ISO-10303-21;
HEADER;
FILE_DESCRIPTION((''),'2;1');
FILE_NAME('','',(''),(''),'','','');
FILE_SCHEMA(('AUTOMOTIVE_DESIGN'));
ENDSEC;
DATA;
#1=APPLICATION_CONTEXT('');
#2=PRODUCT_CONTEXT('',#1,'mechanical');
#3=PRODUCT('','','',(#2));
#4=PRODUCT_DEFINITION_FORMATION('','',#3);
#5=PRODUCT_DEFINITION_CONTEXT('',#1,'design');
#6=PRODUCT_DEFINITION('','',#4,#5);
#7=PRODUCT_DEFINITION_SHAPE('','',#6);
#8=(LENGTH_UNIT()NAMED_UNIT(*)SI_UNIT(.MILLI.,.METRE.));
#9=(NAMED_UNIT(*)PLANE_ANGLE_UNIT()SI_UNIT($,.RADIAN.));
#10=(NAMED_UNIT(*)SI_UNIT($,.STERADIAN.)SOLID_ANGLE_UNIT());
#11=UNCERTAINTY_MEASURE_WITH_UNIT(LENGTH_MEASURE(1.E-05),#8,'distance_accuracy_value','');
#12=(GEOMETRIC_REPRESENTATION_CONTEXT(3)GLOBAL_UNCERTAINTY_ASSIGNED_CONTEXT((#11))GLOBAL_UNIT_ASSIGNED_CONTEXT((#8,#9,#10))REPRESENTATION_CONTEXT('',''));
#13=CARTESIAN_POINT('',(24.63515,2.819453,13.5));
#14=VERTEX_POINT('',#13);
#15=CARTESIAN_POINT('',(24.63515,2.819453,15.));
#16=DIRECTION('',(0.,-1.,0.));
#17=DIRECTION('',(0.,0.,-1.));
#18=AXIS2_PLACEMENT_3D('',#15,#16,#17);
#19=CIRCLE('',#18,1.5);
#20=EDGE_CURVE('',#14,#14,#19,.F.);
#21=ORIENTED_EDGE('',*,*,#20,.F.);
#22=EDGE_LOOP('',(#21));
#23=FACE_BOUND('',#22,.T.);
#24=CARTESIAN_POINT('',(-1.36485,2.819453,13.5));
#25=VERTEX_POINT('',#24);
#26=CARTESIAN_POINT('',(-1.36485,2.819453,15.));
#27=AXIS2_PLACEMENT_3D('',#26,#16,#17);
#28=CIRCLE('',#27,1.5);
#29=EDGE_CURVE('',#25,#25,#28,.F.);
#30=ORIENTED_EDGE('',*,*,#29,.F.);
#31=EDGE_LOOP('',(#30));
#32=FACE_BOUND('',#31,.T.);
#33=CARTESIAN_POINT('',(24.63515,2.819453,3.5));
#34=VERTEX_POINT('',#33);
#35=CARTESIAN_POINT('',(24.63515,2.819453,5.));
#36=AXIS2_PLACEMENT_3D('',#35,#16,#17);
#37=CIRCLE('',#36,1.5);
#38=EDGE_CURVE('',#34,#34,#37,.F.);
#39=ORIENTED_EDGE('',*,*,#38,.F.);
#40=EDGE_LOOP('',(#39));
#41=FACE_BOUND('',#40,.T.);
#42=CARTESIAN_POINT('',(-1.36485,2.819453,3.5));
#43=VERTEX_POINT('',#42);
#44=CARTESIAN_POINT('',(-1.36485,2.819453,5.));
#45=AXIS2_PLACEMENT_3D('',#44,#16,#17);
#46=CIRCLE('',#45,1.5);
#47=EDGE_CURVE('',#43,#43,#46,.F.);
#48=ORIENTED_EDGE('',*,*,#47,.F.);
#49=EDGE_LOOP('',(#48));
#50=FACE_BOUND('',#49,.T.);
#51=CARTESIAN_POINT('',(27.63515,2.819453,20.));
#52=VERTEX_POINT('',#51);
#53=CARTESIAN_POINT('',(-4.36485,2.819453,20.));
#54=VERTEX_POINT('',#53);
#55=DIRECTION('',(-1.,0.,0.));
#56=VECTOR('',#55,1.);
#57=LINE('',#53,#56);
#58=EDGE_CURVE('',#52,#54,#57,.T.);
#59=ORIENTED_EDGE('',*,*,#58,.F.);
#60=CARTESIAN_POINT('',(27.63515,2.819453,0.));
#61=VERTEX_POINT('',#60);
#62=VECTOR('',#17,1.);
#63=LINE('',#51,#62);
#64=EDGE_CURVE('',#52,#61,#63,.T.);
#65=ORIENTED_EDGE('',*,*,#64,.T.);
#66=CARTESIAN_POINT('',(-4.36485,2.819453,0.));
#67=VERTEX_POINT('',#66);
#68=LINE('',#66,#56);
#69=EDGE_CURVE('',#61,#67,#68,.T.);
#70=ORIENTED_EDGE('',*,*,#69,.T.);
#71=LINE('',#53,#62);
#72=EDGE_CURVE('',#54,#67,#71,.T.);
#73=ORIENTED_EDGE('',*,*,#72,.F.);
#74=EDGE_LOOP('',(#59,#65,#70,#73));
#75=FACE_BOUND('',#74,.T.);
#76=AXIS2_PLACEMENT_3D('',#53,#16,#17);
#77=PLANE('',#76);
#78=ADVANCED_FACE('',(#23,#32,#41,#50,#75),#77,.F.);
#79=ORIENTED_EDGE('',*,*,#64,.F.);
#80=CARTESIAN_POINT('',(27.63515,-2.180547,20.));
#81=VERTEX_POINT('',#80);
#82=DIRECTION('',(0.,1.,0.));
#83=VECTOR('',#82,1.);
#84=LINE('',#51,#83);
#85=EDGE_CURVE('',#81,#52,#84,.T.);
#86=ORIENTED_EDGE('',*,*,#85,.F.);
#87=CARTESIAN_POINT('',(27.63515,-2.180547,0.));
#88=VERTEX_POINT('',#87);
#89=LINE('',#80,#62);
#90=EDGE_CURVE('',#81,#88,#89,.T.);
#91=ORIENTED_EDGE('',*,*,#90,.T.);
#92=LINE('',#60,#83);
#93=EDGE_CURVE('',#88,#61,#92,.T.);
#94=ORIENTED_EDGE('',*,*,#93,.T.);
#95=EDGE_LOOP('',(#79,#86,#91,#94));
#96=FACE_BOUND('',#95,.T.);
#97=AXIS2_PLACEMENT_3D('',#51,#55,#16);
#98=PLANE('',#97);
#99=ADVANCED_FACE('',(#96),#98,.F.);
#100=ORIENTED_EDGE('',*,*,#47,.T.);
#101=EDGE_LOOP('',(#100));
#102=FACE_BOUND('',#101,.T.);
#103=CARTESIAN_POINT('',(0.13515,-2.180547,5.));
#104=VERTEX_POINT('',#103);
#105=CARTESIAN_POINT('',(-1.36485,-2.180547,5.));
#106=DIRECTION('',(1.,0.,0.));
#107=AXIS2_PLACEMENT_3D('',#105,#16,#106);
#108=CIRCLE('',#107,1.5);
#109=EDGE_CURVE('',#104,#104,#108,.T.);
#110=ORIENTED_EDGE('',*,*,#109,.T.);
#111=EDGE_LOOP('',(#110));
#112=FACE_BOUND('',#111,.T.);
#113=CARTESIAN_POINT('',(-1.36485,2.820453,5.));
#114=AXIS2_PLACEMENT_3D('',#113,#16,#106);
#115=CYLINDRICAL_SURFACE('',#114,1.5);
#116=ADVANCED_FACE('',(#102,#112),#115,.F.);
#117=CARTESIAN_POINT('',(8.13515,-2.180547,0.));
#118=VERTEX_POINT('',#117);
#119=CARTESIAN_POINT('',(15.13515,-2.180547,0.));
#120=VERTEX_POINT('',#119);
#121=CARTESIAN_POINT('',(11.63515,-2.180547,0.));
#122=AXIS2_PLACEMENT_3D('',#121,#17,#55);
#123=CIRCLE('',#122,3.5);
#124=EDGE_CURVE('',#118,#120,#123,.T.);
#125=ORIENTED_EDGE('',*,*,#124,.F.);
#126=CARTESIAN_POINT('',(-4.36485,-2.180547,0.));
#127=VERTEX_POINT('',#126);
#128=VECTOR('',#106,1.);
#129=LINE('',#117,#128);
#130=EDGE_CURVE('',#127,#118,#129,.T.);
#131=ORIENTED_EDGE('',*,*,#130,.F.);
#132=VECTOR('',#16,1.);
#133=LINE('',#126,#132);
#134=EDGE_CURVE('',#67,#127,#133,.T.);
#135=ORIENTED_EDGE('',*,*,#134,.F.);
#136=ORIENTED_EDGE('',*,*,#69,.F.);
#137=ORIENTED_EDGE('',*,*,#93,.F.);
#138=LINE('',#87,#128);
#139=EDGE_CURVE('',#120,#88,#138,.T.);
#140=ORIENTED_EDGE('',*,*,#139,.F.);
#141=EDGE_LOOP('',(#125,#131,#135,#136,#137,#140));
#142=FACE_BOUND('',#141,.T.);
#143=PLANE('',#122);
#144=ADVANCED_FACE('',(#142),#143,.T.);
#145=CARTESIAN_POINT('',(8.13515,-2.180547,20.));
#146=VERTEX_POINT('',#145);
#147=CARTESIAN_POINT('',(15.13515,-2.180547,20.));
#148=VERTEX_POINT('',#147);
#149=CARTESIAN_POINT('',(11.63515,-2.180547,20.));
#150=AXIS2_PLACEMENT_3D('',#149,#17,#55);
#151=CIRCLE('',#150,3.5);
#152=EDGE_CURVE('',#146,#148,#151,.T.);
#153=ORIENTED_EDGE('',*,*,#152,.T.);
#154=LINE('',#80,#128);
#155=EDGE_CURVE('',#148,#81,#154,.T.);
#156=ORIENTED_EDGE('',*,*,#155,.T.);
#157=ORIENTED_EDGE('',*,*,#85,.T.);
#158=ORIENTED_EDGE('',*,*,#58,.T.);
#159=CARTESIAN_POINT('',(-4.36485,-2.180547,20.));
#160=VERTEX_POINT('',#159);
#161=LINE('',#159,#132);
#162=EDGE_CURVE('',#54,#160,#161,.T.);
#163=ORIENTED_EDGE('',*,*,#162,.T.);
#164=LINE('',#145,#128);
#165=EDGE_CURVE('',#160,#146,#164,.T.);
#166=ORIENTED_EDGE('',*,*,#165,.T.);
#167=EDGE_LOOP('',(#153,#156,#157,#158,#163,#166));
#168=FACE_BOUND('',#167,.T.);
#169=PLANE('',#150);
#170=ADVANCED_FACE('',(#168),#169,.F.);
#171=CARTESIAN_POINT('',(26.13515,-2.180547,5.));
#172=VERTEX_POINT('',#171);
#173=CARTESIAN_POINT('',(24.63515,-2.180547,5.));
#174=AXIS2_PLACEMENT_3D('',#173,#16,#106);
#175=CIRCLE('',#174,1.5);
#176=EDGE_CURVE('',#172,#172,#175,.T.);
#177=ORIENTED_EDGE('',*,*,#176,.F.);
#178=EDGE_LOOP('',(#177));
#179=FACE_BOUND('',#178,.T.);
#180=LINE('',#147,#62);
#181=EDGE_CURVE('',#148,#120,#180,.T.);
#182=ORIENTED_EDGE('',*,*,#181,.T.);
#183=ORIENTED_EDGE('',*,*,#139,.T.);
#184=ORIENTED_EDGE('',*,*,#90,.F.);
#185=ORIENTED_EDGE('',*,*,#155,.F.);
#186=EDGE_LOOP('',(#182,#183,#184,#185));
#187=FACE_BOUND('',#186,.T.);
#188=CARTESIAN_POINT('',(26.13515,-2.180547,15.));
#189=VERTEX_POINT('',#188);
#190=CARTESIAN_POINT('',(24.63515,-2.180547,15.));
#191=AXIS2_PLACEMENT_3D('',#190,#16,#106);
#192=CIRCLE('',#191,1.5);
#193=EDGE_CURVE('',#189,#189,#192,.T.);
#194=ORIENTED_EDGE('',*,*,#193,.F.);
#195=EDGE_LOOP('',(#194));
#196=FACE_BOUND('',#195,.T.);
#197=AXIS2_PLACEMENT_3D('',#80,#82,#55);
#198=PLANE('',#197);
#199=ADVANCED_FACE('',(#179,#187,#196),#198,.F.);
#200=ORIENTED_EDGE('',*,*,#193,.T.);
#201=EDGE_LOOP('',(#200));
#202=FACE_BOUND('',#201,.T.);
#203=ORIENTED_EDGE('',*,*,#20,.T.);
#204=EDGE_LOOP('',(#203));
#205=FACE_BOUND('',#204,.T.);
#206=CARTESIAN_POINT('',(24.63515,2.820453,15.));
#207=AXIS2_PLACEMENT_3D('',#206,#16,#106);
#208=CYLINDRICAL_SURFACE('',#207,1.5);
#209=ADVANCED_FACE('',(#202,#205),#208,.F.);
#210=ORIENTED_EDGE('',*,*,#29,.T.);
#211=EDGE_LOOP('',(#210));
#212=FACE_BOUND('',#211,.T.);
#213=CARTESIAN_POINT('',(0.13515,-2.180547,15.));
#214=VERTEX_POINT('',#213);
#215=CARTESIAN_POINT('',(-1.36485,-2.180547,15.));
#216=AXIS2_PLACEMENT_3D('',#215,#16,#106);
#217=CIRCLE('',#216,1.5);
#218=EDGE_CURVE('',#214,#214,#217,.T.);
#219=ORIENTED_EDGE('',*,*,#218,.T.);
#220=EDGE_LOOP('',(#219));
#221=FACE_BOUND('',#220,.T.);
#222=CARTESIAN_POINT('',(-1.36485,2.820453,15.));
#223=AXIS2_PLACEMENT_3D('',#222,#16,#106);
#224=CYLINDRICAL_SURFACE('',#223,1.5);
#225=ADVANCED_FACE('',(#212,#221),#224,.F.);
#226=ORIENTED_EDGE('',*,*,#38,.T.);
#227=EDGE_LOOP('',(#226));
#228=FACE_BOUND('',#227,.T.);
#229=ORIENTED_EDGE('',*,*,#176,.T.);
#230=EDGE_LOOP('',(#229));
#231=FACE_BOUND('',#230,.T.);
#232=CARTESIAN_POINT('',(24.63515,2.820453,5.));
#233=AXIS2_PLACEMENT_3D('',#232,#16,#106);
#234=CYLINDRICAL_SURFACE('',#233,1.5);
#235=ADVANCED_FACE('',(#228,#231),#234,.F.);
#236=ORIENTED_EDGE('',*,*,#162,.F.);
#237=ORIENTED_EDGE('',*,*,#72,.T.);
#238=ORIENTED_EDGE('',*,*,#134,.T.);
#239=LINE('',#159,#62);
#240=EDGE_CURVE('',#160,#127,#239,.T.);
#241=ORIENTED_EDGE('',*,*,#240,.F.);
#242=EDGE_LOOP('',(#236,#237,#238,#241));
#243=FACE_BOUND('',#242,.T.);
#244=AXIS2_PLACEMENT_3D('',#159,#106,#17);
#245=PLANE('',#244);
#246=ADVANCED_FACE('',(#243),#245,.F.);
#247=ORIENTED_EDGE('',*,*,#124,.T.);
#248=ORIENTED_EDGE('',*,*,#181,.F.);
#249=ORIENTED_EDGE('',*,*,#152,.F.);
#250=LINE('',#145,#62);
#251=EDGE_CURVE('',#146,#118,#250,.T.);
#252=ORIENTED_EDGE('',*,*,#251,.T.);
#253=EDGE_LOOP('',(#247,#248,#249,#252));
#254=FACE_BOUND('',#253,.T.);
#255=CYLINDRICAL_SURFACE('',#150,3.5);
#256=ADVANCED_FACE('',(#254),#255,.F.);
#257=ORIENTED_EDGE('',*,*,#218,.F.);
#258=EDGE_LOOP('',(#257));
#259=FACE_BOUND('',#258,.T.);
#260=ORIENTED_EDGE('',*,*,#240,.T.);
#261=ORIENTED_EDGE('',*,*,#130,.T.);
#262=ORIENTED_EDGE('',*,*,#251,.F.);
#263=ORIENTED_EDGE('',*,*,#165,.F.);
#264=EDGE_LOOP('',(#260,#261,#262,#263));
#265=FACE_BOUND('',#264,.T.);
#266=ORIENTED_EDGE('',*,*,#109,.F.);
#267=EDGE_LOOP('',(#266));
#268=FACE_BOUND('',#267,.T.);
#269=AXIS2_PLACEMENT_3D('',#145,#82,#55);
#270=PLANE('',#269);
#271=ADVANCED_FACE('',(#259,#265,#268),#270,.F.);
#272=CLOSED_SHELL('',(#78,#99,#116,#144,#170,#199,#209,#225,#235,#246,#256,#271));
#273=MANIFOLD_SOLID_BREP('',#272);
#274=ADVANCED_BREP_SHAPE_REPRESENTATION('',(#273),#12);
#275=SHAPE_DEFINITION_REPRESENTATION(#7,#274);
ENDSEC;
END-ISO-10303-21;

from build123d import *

# Parameters (mm, degrees)
BOSS_EXTRUDE1_DEPTH = 20
CUT_EXTRUDE1_REACH  = 36.478
SKETCH3_R           = 1.5


with BuildPart() as part:
    # Sketch1 → Boss-Extrude1 (new body)
    with BuildSketch(Plane.XY):
        with BuildLine():
            Line((8.135150199, -2.180546666), (-4.364849801, -2.180546666))
            Line((-4.364849801, -2.180546666), (-4.364849801, 2.819453334))
            Line((-4.364849801, 2.819453334), (27.635150199, 2.819453334))
            Line((27.635150199, 2.819453334), (27.635150199, -2.180546666))
            Line((27.635150199, -2.180546666), (15.135150199, -2.180546666))
            ThreePointArc((15.135150199, -2.180546666), (11.635150199, 1.319453334), (8.135150199, -2.180546666))
        make_face()
    extrude(amount=BOSS_EXTRUDE1_DEPTH)

    # Sketch3 → Cut-Extrude1 (cut, up to next)
    with BuildSketch(Plane.XZ.offset(2.180546666), mode=Mode.PRIVATE) as cut_extrude1_sk1:
        with Locations((-1.364849801, 15)):
            Circle(SKETCH3_R)
    cut_extrude1_tool1 = extrude(cut_extrude1_sk1.sketch, amount=-CUT_EXTRUDE1_REACH, mode=Mode.PRIVATE) & part.part
    # Sketch3 → Cut-Extrude1 (cut, up to next)
    with BuildSketch(Plane.XZ.offset(2.180546666), mode=Mode.PRIVATE) as cut_extrude1_sk2:
        with Locations((-1.364849801, 5)):
            Circle(SKETCH3_R)
    cut_extrude1_tool2 = extrude(cut_extrude1_sk2.sketch, amount=-CUT_EXTRUDE1_REACH, mode=Mode.PRIVATE) & part.part
    # Sketch3 → Cut-Extrude1 (cut, up to next)
    with BuildSketch(Plane.XZ.offset(2.180546666), mode=Mode.PRIVATE) as cut_extrude1_sk3:
        with Locations((24.635150199, 15)):
            Circle(SKETCH3_R)
    cut_extrude1_tool3 = extrude(cut_extrude1_sk3.sketch, amount=-CUT_EXTRUDE1_REACH, mode=Mode.PRIVATE) & part.part
    # Sketch3 → Cut-Extrude1 (cut, up to next)
    with BuildSketch(Plane.XZ.offset(2.180546666), mode=Mode.PRIVATE) as cut_extrude1_sk4:
        with Locations((24.635150199, 5)):
            Circle(SKETCH3_R)
    cut_extrude1_tool4 = extrude(cut_extrude1_sk4.sketch, amount=-CUT_EXTRUDE1_REACH, mode=Mode.PRIVATE) & part.part
    add(cut_extrude1_tool1.solids().sort_by_distance((-1.36485, -2.180547, 15))[0], mode=Mode.SUBTRACT)
    add(cut_extrude1_tool2.solids().sort_by_distance((-1.36485, -2.180547, 5))[0], mode=Mode.SUBTRACT)
    add(cut_extrude1_tool3.solids().sort_by_distance((24.63515, -2.180547, 15))[0], mode=Mode.SUBTRACT)
    add(cut_extrude1_tool4.solids().sort_by_distance((24.63515, -2.180547, 5))[0], mode=Mode.SUBTRACT)


solid = part.part
